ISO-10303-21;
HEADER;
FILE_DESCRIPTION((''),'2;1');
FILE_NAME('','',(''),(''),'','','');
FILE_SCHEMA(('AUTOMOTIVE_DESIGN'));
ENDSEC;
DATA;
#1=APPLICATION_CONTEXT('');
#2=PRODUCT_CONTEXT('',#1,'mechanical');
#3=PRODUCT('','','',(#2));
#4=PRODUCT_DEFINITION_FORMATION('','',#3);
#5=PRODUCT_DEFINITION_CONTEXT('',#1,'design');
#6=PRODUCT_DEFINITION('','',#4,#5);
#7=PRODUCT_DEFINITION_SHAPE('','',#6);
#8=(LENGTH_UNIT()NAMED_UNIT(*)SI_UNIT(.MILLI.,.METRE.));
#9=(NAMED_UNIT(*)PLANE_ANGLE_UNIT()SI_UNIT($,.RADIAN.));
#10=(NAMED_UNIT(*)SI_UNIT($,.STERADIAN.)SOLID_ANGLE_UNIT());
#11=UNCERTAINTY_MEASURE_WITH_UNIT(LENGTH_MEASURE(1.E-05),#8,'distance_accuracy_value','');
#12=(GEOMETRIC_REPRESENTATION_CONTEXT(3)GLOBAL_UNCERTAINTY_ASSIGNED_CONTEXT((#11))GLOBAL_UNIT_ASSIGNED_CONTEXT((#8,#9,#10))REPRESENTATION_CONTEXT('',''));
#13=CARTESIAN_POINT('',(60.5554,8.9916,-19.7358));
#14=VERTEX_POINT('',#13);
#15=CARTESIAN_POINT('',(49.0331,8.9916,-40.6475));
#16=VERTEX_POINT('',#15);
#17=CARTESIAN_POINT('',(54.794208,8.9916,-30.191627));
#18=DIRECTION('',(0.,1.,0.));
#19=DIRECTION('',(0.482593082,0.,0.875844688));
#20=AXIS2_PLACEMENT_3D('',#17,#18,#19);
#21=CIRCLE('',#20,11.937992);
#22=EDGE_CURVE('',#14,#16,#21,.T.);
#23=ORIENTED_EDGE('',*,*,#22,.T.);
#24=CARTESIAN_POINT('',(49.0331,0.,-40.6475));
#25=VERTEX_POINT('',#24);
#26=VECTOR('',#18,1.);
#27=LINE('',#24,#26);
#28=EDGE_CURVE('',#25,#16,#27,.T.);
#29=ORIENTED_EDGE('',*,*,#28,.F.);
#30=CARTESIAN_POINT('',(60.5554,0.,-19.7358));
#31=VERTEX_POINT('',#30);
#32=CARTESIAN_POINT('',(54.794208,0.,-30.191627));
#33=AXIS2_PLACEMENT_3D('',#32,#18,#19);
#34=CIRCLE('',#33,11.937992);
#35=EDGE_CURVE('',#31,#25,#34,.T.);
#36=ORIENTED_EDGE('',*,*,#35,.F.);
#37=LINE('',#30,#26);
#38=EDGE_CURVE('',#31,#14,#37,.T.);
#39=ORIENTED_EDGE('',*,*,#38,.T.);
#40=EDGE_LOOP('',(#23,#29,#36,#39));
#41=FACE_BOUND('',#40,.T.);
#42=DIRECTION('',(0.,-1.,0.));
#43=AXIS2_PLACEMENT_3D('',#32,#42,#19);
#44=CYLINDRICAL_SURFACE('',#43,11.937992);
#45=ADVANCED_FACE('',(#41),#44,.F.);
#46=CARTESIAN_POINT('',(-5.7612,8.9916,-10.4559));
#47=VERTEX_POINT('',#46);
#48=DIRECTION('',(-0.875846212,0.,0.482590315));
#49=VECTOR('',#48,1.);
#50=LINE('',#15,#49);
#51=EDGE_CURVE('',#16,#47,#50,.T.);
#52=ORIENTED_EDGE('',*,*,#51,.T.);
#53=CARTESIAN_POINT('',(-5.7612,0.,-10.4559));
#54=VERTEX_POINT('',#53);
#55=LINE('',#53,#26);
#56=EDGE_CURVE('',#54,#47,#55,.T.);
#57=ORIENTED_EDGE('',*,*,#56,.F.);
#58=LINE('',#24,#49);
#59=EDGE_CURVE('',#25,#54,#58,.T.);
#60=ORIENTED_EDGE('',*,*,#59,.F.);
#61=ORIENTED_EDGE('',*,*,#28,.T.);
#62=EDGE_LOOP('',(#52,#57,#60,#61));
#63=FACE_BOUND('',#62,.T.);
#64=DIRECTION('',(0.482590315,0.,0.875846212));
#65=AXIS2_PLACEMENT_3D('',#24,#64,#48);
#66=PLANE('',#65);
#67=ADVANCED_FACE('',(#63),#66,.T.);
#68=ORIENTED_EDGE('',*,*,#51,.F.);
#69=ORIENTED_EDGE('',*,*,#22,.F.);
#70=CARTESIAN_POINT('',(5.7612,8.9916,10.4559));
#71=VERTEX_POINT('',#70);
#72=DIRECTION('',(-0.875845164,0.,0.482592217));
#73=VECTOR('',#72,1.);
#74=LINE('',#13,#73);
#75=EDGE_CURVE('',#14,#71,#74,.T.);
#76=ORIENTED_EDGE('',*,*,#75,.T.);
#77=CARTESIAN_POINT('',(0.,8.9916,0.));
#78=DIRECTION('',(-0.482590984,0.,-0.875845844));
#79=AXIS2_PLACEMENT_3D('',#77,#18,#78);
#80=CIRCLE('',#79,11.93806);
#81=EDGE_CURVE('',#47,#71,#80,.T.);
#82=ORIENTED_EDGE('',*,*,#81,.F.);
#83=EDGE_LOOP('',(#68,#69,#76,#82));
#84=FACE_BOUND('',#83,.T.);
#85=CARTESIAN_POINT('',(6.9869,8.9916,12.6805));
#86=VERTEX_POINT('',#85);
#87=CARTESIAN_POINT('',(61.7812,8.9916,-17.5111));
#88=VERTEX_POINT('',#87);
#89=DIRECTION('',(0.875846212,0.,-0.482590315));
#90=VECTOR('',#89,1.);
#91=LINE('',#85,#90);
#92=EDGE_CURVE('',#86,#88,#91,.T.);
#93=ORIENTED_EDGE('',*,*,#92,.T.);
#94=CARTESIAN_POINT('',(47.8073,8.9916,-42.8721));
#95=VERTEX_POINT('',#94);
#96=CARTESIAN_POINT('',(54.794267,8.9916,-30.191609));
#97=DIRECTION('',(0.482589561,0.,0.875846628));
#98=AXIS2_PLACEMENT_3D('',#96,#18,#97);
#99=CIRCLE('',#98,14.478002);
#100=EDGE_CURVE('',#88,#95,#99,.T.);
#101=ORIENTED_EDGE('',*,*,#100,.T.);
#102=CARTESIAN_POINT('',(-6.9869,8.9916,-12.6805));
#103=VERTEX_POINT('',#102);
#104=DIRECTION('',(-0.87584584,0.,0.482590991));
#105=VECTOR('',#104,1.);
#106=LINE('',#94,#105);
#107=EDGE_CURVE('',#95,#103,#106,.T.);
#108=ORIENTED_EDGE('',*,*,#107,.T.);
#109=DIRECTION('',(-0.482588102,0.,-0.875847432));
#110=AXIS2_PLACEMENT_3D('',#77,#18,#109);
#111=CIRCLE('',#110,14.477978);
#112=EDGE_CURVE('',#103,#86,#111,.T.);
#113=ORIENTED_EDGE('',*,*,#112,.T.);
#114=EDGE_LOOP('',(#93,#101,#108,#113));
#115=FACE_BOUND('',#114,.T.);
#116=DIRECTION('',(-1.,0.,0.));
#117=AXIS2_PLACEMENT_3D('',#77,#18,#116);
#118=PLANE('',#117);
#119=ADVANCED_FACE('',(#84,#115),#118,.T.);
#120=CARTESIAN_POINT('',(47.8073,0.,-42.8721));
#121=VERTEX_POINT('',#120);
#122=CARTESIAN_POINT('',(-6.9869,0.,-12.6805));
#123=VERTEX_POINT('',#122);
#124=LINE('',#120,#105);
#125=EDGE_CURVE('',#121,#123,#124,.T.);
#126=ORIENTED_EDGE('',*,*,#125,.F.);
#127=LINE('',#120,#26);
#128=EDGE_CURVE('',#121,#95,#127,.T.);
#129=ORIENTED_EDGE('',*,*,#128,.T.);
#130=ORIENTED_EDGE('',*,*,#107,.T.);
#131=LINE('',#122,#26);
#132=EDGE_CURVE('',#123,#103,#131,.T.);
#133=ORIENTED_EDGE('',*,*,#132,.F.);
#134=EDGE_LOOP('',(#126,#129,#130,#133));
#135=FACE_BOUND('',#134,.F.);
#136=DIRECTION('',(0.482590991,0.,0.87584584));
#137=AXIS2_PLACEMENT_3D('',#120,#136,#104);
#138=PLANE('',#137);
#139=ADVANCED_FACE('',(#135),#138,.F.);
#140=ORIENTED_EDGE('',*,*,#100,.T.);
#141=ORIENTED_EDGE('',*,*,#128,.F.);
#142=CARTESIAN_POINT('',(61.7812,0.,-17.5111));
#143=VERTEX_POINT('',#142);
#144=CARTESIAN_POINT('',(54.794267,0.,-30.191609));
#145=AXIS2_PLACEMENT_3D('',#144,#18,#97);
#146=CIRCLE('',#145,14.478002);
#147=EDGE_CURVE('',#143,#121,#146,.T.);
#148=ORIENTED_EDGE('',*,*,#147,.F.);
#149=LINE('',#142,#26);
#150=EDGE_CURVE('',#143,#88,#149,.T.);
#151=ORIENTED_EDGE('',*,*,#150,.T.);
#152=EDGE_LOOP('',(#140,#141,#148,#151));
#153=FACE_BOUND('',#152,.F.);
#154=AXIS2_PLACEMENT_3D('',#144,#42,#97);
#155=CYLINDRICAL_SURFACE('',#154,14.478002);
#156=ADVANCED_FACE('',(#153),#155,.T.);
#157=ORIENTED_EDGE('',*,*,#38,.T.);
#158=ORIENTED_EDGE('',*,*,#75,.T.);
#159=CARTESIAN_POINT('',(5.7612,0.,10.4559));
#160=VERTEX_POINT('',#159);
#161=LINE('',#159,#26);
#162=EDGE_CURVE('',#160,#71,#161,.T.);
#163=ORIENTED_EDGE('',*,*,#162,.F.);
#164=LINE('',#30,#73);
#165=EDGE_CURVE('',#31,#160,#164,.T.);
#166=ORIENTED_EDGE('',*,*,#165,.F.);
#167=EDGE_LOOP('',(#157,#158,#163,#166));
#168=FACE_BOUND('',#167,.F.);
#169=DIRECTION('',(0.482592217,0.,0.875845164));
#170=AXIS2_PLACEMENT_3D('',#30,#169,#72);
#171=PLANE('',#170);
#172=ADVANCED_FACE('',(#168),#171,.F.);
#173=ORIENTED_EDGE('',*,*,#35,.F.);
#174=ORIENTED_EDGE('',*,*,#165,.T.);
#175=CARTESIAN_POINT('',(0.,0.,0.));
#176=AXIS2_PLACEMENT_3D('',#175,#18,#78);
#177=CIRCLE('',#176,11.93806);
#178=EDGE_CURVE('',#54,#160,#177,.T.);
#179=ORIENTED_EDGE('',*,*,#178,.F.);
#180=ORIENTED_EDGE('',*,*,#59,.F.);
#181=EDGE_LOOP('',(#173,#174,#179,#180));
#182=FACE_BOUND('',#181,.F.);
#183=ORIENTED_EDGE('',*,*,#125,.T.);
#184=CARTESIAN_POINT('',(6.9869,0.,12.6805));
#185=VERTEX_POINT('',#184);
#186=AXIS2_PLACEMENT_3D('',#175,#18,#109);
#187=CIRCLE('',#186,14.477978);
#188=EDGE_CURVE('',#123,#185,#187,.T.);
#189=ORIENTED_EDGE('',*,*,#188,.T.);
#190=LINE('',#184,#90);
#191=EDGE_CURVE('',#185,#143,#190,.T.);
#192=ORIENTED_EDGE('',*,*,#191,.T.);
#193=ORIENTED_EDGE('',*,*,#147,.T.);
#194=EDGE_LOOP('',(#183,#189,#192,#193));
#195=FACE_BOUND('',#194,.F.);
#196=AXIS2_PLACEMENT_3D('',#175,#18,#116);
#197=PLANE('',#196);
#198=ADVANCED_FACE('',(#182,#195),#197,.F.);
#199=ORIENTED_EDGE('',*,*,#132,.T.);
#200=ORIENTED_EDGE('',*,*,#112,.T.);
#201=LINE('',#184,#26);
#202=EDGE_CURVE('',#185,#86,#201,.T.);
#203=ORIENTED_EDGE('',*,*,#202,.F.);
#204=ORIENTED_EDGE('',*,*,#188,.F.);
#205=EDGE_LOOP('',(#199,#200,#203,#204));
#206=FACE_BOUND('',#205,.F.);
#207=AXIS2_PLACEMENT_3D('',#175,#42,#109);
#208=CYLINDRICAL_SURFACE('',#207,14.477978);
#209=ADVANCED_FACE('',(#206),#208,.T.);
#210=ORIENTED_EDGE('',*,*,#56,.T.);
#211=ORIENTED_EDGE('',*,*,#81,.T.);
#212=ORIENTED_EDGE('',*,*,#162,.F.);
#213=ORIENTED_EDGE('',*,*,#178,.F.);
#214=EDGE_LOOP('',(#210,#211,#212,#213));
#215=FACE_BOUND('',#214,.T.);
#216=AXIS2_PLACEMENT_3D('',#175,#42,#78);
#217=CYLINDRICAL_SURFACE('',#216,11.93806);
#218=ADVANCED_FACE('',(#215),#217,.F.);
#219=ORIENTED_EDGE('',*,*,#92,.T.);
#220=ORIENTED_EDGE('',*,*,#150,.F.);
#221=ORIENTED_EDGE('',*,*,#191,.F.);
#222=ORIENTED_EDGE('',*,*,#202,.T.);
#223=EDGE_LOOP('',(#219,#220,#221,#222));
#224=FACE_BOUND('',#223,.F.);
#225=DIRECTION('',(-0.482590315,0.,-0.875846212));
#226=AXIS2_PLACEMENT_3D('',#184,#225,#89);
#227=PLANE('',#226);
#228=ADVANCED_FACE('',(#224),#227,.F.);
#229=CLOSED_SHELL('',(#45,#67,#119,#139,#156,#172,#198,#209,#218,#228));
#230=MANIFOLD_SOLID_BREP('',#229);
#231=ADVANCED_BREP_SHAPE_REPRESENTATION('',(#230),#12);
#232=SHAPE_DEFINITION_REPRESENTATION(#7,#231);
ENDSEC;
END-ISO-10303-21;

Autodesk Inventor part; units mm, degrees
ref_plane "YZ Plane" through (0, 0, 0) normal (1, 0, 0) x (0, 1, 0)
ref_plane "XZ Plane" through (0, 0, 0) normal (0, 1, 0) x (-1, 0, 0)
ref_plane "XY Plane" through (0, 0, 0) normal (0, 0, 1) x (1, 0, 0)
sketch "Sketch1" plane through (0, 0, 0) normal (0, 1, 0) x (-1, 0, 0)
  circle A0 centre (0, 0) radius 11.938 construction
  line L0 (0, 0) -> (-54.7943, -30.1916) construction
  line L1 (0, 0) -> (-11.938, 0) construction
  circle A1 centre (-54.7943, -30.1916) radius 11.938 construction
  line L2 (-49.0331, -40.6475) -> (5.7612, -10.4559)
  line L3 (-60.5554, -19.7358) -> (-5.7612, 10.4559)
  arc A2 (-60.5554, -19.7358) -> (-49.0331, -40.6475) centre (-54.7943, -30.1916) ccw
  arc A3 (5.7612, -10.4559) -> (-5.7612, 10.4559) centre (0, 0) ccw
  line L4 (-6.9869, 12.6805) -> (-61.7812, -17.5111)
  arc A4 (-61.7812, -17.5111) -> (-47.8073, -42.8721) centre (-54.7943, -30.1916) ccw
  line L5 (-47.8073, -42.8721) -> (6.9869, -12.6805)
  arc A5 (6.9869, -12.6805) -> (-6.9869, 12.6805) centre (0, 0) ccw
  dimension "d11" = 23.876
  dimension "d12" = 28.855
  dimension "d13" = 62.5615
  dimension "d14" = 2.54
extrude "Extrusion2" add sketch "Sketch1" along normal blind 8.9916
properties part number "INtk_010_Belt2" material "Rubber, Silicone"
